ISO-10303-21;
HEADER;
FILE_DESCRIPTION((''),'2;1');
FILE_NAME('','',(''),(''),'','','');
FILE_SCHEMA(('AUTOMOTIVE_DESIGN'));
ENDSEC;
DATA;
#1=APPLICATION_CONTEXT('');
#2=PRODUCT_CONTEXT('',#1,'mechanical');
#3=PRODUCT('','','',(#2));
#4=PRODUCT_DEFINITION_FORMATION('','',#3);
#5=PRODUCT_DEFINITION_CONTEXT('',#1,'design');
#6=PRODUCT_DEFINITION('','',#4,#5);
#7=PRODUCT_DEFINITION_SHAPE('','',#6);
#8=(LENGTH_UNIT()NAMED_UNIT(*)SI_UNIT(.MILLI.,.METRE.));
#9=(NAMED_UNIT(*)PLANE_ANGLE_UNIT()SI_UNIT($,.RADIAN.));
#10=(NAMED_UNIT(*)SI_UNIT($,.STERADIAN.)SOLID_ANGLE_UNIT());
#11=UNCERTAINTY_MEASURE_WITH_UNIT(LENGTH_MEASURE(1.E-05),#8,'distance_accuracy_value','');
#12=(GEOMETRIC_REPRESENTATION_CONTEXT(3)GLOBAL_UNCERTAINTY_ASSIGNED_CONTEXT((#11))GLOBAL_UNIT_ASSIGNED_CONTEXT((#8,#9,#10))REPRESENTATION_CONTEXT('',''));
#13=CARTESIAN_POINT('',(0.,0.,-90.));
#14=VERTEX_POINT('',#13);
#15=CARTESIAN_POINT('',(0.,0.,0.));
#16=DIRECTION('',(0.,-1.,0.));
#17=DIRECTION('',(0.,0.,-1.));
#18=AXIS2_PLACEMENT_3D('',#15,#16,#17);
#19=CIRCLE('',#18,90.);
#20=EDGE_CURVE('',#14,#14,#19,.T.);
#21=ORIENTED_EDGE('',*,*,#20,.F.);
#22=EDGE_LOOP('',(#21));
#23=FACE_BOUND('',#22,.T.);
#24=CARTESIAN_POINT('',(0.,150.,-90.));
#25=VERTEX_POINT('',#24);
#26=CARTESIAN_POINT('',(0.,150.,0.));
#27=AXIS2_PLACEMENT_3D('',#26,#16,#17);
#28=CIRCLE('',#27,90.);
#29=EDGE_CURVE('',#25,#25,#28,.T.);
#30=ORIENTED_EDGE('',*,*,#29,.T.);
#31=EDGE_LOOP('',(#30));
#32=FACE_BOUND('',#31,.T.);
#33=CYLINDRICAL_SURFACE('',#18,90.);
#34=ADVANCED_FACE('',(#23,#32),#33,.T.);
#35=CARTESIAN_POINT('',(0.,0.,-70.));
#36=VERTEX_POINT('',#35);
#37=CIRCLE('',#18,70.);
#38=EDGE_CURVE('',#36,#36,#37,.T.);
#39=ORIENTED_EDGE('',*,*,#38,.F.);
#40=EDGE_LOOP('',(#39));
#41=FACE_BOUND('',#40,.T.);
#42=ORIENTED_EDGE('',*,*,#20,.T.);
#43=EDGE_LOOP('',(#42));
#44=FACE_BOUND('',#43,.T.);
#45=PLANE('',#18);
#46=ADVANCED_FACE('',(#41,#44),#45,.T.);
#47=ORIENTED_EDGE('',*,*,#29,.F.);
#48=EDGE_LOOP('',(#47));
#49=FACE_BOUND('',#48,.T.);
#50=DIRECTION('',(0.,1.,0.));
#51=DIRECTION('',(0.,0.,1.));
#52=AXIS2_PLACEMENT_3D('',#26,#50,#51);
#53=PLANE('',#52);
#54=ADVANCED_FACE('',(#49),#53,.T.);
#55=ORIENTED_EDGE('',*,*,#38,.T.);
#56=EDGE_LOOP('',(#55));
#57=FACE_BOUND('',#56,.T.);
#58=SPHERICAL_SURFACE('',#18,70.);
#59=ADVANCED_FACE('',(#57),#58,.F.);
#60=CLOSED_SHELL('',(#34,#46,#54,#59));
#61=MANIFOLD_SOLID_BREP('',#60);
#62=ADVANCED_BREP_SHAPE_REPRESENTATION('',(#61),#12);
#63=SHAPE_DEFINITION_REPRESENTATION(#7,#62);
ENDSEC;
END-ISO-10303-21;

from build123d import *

# Parameters (mm, degrees)
SKETCH_1_W = 90
SKETCH_1_H = 150


with BuildPart() as part:
    # Эскиз1 → Повернуть1 (revolve)
    with BuildSketch(Plane.XY):
        with Locations((45, 75)):
            Rectangle(SKETCH_1_W, SKETCH_1_H)
    revolve(axis=Axis((0, 0, 0), (0, 1, 0)))

    # Эскиз3 → Вырез-Повернуть1 (revolve, cut)
    with BuildSketch(Plane(origin=(0, 0, 0), x_dir=(0, 0, -1), z_dir=(1, 0, 0))):
        with BuildLine():
            Line((0, 0), (0, 70))
            ThreePointArc((0, 70), (49.497474683, 49.497474683), (70, 0))
            Line((70, 0), (0, 0))
        make_face()
    revolve(axis=Axis((0, 0, 0), (0, 1, 0)), mode=Mode.SUBTRACT)


solid = part.part
